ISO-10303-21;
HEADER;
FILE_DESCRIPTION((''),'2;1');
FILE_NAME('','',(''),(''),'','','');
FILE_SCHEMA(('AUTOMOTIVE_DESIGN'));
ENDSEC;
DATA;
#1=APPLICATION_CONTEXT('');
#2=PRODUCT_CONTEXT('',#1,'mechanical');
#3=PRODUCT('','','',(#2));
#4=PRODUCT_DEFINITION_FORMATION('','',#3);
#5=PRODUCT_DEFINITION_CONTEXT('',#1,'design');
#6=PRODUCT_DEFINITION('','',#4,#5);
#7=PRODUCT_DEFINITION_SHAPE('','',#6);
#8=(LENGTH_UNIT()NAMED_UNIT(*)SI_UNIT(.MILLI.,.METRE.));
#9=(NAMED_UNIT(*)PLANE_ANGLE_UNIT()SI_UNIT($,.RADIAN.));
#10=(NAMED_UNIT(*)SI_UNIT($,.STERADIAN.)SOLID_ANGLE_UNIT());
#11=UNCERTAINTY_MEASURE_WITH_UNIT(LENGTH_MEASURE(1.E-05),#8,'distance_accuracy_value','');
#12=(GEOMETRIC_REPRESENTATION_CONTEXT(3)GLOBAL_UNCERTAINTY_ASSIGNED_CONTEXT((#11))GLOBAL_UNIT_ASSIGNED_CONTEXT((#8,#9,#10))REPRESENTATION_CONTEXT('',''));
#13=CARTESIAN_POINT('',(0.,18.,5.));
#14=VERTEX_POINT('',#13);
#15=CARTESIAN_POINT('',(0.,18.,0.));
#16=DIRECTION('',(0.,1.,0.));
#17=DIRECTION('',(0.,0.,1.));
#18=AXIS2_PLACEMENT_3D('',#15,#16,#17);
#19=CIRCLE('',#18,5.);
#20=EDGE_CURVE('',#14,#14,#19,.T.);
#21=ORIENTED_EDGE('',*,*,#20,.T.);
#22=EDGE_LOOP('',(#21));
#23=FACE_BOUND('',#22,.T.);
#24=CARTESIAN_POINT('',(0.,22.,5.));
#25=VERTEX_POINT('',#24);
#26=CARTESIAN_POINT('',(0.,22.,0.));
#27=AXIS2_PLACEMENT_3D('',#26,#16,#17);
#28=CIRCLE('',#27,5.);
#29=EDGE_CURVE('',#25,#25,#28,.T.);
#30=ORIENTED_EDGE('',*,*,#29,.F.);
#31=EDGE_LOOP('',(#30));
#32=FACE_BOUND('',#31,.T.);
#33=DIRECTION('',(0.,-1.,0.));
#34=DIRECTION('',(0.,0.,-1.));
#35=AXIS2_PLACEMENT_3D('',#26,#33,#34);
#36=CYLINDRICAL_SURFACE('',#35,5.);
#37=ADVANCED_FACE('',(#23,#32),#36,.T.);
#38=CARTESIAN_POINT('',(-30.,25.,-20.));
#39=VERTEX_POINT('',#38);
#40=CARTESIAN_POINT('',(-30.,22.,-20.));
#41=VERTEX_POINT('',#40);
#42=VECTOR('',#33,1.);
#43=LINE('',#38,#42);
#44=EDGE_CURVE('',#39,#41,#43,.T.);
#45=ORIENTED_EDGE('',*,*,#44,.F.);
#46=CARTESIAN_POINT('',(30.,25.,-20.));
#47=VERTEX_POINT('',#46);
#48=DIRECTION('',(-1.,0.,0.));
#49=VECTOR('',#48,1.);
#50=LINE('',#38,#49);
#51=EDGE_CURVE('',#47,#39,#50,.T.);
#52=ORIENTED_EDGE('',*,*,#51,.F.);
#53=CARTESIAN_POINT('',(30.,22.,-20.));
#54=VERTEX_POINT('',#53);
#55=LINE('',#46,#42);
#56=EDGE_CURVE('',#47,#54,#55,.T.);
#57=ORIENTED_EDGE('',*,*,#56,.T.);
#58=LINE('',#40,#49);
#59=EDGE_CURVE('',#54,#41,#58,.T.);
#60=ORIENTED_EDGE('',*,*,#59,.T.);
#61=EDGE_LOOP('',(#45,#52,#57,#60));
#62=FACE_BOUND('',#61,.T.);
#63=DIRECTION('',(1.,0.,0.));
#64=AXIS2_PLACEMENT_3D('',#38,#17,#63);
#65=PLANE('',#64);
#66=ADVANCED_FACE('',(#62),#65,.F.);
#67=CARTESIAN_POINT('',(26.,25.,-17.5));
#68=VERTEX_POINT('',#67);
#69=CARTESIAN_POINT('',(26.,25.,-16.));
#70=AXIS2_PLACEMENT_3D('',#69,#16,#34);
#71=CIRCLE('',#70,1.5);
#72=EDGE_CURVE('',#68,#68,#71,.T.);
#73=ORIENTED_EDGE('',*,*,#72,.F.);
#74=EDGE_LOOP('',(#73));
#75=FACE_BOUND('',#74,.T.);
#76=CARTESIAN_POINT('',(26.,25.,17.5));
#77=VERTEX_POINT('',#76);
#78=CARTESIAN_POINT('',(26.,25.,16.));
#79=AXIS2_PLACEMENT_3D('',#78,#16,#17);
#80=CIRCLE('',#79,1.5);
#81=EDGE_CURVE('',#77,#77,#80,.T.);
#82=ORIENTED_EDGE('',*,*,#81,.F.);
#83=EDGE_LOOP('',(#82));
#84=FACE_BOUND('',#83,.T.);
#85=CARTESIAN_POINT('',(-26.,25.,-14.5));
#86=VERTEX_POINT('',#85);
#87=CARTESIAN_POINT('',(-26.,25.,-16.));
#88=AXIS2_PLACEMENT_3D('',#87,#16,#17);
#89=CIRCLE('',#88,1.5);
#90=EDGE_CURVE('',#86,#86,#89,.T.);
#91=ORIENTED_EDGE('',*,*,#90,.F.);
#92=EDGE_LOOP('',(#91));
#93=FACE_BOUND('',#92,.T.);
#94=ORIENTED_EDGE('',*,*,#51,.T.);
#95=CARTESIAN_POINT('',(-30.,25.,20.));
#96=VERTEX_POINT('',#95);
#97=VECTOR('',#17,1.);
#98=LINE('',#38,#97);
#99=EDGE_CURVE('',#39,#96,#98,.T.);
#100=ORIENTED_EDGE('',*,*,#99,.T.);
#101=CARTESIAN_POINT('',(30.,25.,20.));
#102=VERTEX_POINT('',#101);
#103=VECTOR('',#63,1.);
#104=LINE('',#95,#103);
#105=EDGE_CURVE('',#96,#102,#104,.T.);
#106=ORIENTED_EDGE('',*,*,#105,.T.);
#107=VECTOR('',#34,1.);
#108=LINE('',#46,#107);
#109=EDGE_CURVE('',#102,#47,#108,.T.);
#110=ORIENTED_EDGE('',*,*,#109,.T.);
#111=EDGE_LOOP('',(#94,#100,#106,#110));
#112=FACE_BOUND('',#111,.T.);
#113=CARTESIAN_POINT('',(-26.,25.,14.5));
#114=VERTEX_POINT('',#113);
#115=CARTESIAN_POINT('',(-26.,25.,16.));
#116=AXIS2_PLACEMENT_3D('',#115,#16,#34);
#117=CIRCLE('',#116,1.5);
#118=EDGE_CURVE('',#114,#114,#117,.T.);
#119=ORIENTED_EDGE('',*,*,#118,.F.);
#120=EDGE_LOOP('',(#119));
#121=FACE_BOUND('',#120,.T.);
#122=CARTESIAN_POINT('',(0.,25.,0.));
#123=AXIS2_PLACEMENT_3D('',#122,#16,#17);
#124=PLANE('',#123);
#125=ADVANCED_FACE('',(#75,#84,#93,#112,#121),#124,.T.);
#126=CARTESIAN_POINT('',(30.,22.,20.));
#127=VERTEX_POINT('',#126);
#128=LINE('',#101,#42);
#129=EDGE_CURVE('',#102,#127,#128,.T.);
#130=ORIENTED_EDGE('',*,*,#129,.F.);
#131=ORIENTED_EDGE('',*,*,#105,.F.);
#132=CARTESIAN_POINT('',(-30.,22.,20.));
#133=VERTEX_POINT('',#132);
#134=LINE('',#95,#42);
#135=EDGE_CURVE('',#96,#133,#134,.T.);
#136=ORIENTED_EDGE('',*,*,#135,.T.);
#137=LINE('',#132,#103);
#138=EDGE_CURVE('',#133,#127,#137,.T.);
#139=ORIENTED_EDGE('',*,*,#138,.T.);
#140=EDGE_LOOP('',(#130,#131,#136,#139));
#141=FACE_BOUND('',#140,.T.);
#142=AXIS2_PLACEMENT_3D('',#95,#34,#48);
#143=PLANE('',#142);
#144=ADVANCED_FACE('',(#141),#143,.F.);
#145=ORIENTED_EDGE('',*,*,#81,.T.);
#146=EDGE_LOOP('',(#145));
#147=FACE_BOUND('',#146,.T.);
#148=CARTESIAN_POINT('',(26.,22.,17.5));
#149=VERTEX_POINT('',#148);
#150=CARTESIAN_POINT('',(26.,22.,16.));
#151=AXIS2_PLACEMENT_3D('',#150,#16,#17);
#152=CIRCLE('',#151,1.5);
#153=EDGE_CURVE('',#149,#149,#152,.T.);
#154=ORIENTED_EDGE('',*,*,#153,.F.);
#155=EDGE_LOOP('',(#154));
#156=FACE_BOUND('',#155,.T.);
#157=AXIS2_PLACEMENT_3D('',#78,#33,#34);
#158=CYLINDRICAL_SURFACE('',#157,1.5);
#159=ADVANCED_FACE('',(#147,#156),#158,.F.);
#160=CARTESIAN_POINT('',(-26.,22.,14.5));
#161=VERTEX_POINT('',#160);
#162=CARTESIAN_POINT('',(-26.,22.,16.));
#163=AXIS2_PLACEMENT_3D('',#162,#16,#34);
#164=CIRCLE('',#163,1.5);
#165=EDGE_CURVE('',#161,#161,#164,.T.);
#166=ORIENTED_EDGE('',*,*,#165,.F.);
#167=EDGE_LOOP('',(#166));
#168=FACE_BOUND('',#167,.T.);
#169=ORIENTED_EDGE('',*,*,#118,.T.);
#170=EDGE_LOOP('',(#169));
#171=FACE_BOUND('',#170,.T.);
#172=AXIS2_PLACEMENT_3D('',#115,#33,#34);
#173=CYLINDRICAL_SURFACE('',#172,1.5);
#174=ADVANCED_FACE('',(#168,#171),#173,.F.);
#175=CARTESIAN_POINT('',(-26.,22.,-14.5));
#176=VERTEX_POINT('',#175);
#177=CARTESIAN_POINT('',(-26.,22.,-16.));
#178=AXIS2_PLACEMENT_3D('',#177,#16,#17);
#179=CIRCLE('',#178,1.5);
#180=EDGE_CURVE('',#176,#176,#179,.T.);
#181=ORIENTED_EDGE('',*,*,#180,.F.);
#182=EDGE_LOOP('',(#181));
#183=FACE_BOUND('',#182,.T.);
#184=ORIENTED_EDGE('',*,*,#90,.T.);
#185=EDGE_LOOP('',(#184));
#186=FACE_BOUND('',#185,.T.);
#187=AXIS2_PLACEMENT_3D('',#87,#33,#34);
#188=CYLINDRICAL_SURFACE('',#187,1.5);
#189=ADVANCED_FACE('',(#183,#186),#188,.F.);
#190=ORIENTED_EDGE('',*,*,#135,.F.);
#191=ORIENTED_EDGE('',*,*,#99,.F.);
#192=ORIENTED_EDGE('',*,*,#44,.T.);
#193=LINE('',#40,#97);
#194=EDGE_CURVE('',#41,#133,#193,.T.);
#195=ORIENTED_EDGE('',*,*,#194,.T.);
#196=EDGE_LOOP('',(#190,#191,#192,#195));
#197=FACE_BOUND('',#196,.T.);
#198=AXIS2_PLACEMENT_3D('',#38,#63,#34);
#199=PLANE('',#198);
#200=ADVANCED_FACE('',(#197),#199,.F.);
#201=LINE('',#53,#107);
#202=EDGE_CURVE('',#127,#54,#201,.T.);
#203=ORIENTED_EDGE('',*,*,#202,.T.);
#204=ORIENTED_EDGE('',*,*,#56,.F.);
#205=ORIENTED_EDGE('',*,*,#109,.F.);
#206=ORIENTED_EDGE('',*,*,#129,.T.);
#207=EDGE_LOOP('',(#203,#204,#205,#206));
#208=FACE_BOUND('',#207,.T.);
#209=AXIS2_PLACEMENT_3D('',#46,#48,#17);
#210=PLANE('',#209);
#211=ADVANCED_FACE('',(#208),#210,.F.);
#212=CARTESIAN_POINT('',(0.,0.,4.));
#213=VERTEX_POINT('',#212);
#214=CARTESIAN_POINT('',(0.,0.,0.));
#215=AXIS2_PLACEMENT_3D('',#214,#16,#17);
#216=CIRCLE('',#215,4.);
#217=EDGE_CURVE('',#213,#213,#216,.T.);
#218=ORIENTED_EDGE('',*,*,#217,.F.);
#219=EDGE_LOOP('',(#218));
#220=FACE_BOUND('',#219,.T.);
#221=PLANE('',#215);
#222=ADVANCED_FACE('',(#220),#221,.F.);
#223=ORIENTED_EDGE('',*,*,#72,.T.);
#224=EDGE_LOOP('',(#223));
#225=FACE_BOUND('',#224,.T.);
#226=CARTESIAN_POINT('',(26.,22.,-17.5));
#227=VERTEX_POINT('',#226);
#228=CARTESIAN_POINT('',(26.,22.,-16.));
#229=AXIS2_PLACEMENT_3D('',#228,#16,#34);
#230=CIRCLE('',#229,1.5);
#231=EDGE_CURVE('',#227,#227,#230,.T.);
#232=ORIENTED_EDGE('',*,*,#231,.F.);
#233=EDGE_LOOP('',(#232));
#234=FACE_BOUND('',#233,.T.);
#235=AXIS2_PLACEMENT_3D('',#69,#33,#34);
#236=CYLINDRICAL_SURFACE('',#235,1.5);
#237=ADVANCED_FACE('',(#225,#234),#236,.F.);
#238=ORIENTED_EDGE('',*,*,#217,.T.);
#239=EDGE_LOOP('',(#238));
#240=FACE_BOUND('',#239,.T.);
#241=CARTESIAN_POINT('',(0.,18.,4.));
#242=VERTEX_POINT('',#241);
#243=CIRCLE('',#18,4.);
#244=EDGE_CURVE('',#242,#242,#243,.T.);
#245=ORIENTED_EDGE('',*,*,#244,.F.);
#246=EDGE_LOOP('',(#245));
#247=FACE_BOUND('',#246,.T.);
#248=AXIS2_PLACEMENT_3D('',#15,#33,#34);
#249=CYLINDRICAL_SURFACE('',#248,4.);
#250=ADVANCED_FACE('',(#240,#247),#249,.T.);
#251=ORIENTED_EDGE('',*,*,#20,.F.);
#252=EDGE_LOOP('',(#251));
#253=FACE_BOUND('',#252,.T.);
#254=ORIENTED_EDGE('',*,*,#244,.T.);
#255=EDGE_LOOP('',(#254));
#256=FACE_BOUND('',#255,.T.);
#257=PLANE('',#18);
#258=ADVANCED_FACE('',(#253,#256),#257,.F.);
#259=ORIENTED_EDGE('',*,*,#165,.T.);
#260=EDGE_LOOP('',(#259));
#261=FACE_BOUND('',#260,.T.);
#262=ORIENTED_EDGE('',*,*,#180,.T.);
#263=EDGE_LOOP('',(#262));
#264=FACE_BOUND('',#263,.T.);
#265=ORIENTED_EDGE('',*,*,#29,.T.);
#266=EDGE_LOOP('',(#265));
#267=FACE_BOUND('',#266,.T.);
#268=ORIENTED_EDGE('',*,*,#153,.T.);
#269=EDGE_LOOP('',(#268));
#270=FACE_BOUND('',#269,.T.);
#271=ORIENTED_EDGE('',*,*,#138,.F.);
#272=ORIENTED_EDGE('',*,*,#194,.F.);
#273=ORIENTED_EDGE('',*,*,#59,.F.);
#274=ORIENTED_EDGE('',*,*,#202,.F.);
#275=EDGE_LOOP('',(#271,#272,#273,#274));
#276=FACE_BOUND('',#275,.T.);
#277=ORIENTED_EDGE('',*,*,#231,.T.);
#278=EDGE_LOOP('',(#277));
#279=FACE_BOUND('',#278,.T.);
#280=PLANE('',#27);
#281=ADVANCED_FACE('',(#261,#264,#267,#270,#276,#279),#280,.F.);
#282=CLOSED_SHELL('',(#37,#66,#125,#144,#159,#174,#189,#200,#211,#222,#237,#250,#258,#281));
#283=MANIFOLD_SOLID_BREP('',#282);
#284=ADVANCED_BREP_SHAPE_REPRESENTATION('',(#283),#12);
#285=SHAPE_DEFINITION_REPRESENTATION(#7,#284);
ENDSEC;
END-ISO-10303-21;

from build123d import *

# Parameters (mm, degrees)
SKETCH1_R           = 4
BOSS_EXTRUDE1_DEPTH = 18
SKETCH2_R           = 5
BOSS_EXTRUDE2_DEPTH = 4
SKETCH3_W           = 60
SKETCH3_H           = 40
SKETCH3_R           = 1.5
BOSS_EXTRUDE3_DEPTH = 3


with BuildPart() as part:
    # Sketch1 → Boss-Extrude1 (new body)
    with BuildSketch(Plane(origin=(0, 0, 0), x_dir=(1, 0, 0), z_dir=(0, 1, 0))):
        with Locations(Location((0, 0, 0), (0, 0, 270))):
            Circle(SKETCH1_R)
    extrude(amount=BOSS_EXTRUDE1_DEPTH)

    # Sketch2 → Boss-Extrude2 (add)
    with BuildSketch(Plane(origin=(0, 18, 0), x_dir=(1, 0, 0), z_dir=(0, 1, 0))):
        with Locations(Location((0, 0, 0), (0, 0, 270))):
            Circle(SKETCH2_R)
    extrude(amount=BOSS_EXTRUDE2_DEPTH)

    # Sketch3 → Boss-Extrude3 (add)
    with BuildSketch(Plane(origin=(0, 22, 0), x_dir=(1, 0, 0), z_dir=(0, 1, 0))):
        Rectangle(SKETCH3_W, SKETCH3_H)
        with Locations(Location((-26, 16, 0), (0, 0, 270))):
            Circle(SKETCH3_R, mode=Mode.SUBTRACT)
        with Locations(Location((26, 16, 0), (0, 0, 90))):
            Circle(SKETCH3_R, mode=Mode.SUBTRACT)
        with Locations(Location((26, -16, 0), (0, 0, 270))):
            Circle(SKETCH3_R, mode=Mode.SUBTRACT)
        with Locations(Location((-26, -16, 0), (0, 0, 90))):
            Circle(SKETCH3_R, mode=Mode.SUBTRACT)
    extrude(amount=BOSS_EXTRUDE3_DEPTH)


solid = part.part
